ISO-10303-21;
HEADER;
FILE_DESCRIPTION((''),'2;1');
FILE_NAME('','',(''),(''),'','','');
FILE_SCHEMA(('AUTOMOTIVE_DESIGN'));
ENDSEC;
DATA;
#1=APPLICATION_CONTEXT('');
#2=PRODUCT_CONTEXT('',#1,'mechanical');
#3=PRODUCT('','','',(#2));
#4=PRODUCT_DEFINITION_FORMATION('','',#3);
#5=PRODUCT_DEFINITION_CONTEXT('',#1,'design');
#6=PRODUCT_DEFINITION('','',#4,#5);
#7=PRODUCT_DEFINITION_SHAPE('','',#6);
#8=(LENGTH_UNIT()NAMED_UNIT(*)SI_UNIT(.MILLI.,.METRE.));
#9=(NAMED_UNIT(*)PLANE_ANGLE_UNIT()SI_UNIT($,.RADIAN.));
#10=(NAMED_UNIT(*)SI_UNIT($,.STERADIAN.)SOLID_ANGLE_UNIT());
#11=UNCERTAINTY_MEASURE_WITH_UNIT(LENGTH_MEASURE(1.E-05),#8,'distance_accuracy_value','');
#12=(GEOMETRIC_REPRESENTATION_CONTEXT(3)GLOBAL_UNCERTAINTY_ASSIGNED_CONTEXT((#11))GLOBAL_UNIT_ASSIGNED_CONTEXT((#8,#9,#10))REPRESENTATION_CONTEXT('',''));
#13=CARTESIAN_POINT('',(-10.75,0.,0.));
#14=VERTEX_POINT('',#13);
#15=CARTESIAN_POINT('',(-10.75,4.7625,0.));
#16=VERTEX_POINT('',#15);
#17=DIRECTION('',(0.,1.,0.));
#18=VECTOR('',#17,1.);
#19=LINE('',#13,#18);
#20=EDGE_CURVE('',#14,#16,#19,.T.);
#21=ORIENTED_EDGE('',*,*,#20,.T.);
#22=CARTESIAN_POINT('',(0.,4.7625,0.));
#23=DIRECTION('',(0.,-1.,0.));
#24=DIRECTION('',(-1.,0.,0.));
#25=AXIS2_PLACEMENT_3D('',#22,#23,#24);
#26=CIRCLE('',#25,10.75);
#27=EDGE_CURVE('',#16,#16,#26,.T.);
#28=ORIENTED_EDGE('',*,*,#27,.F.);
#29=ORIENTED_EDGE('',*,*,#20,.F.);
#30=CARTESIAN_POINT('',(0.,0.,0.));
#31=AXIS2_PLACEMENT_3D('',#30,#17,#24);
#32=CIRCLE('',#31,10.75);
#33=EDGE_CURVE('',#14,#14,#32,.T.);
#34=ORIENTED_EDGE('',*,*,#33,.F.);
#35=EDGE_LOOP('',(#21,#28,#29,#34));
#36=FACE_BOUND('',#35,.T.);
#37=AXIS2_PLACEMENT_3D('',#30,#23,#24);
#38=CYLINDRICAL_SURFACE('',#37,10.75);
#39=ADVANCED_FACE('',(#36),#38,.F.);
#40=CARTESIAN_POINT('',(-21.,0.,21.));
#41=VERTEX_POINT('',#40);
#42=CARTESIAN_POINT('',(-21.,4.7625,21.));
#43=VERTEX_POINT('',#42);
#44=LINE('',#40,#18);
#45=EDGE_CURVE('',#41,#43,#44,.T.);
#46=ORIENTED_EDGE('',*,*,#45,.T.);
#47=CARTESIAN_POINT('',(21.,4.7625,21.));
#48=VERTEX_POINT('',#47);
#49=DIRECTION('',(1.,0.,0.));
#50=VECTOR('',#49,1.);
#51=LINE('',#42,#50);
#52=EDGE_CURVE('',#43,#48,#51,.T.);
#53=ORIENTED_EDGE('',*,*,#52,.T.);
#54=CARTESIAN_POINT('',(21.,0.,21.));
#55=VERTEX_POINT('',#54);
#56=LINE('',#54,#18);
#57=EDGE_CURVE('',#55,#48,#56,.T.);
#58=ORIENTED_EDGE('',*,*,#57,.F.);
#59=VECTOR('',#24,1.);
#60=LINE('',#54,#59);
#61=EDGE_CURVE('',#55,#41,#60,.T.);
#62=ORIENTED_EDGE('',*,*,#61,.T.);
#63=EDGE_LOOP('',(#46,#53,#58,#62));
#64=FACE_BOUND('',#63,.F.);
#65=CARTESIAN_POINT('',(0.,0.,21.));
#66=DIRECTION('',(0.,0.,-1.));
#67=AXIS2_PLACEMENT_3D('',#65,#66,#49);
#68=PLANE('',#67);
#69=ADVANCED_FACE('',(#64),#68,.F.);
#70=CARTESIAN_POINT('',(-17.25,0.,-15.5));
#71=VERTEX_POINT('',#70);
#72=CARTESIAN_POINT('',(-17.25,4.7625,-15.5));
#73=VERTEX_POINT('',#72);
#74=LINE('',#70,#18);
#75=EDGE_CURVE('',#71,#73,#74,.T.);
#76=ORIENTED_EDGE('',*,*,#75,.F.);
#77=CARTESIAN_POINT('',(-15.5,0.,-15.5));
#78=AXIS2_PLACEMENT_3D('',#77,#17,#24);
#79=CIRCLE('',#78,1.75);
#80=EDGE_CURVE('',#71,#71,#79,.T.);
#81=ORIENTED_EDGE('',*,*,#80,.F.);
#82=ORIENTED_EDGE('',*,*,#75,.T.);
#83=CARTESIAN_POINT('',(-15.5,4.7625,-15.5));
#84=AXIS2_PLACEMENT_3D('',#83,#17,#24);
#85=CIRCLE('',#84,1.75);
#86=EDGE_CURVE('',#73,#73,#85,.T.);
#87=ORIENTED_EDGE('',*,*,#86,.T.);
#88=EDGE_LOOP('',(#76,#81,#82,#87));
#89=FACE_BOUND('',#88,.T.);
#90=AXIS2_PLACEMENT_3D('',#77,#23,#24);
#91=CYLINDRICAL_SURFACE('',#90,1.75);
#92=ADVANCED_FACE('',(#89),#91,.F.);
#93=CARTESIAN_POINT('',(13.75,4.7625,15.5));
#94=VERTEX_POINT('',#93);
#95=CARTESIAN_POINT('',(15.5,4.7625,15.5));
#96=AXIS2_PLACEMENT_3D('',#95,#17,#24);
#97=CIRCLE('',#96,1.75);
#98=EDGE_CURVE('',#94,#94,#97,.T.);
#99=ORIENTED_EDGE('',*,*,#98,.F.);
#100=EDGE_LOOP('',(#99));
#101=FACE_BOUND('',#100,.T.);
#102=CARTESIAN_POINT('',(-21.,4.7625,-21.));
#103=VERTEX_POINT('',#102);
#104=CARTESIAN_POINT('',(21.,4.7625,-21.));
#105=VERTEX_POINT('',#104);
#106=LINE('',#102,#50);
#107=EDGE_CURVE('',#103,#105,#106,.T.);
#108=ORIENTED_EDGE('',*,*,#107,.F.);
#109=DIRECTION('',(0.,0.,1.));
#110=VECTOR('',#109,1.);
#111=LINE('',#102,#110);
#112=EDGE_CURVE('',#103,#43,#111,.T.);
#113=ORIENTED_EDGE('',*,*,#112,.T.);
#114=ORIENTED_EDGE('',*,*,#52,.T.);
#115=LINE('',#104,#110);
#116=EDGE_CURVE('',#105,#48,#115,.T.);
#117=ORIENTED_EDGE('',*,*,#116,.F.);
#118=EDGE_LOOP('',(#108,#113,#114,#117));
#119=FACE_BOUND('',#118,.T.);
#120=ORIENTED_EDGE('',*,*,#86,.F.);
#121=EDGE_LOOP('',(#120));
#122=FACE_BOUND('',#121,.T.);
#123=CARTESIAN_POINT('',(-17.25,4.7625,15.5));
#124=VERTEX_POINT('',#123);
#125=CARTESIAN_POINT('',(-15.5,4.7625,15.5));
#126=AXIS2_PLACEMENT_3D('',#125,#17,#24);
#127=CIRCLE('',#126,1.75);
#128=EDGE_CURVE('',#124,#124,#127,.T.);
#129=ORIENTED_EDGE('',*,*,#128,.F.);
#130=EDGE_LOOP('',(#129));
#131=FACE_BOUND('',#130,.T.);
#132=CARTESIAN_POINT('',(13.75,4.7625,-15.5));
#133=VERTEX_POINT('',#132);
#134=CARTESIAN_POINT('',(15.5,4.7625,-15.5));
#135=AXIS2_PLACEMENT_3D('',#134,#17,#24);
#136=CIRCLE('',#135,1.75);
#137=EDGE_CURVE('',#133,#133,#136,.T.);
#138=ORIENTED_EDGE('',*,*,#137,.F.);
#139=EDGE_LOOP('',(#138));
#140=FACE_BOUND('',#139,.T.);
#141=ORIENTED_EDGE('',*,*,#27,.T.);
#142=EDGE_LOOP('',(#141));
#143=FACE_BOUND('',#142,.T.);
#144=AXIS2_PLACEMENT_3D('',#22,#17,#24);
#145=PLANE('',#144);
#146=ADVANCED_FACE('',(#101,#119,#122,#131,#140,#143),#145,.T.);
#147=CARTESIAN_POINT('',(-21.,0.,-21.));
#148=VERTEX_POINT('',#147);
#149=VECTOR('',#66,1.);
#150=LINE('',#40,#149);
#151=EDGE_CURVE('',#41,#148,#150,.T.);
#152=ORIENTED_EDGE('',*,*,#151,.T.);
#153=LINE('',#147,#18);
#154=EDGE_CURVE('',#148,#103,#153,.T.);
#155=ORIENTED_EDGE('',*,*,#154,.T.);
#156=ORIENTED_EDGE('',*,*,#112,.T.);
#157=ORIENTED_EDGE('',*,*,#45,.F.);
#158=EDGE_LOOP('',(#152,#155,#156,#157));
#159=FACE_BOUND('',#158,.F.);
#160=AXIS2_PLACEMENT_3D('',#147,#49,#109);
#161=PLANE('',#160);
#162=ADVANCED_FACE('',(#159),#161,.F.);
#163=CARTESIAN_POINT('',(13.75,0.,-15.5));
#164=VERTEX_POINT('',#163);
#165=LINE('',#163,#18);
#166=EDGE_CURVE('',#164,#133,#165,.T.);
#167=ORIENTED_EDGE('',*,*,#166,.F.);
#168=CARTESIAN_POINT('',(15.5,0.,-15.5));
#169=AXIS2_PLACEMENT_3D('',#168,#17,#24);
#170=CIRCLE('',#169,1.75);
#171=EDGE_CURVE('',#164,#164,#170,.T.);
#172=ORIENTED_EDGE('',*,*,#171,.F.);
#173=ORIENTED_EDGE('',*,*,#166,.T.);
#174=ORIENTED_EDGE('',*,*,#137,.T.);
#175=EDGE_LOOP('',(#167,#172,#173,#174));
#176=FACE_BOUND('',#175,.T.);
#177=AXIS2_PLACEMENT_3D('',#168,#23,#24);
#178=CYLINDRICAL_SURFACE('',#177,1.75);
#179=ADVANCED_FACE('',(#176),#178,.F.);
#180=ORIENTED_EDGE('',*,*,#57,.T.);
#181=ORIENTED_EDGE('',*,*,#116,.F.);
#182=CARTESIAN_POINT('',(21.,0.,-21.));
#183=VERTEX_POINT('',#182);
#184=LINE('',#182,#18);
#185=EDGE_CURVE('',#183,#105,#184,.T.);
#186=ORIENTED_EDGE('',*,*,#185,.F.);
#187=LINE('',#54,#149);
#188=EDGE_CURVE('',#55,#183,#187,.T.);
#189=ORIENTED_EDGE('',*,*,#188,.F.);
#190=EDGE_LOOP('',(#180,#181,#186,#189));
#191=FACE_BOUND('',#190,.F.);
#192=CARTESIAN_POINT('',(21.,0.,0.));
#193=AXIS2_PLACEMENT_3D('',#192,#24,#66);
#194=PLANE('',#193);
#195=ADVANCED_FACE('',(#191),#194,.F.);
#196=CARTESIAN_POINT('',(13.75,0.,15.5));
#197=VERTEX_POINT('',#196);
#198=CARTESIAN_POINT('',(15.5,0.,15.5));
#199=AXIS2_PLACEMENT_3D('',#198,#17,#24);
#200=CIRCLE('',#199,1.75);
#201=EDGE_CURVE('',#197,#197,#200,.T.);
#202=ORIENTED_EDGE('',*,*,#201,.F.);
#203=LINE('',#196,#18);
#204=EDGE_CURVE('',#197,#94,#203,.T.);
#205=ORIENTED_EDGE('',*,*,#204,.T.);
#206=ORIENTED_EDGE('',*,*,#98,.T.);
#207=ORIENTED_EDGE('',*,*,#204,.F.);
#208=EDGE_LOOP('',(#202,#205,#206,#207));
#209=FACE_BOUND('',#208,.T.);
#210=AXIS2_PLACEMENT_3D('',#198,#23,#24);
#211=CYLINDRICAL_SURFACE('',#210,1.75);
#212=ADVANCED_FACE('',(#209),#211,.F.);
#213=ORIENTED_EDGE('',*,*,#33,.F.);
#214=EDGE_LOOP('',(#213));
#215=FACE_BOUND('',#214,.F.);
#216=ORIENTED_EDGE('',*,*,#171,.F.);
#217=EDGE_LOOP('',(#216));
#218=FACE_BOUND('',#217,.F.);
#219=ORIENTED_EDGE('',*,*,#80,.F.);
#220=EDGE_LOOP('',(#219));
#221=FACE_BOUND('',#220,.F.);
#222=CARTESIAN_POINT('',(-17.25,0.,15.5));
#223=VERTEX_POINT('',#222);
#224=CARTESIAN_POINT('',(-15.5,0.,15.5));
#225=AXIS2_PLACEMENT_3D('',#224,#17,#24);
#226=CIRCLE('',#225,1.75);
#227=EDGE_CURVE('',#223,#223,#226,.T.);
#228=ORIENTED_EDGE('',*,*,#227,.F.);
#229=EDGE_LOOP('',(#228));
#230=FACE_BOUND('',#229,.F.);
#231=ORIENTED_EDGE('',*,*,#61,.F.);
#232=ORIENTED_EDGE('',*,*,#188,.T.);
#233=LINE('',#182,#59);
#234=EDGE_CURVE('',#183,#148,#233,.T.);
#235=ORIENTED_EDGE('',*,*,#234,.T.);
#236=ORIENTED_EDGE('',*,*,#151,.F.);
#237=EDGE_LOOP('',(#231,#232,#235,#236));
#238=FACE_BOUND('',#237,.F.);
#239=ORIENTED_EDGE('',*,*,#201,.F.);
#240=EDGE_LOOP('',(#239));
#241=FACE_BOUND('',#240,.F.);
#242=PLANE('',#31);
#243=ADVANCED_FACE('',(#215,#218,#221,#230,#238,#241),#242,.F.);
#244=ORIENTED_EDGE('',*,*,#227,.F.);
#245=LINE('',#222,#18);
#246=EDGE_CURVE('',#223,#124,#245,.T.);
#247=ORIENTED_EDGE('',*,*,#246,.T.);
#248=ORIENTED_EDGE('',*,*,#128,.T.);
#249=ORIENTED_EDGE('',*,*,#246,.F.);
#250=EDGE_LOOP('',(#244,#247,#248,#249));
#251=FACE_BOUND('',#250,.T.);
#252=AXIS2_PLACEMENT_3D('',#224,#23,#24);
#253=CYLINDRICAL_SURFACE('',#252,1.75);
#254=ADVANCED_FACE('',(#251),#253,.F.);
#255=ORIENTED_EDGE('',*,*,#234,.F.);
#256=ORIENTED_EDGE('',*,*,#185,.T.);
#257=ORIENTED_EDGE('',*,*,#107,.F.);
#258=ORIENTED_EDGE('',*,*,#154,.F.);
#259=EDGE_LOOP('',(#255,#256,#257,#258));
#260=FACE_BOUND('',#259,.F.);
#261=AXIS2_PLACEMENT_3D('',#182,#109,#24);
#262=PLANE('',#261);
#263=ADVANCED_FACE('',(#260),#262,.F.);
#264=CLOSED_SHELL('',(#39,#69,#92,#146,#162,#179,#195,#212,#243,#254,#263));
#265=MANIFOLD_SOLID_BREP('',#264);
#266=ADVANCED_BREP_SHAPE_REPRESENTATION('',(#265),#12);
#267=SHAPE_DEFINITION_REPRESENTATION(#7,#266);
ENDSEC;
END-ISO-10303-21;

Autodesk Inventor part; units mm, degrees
ref_plane "YZ Plane" through (0, 0, 0) normal (1, 0, 0) x (0, 1, 0)
ref_plane "XZ Plane" through (0, 0, 0) normal (0, 1, 0) x (-1, 0, 0)
ref_plane "XY Plane" through (0, 0, 0) normal (0, 0, 1) x (1, 0, 0)
sketch "Sketch1" plane through (0, 0, 0) normal (0, 1, 0) x (-1, 0, 0)
  line L0 (-21, -21) -> (21, -21)
  line L1 (21, -21) -> (21, 21)
  line L2 (21, 21) -> (-21, 21)
  line L3 (-21, 21) -> (-21, -21)
  line L4 (-21, -21) -> (21, 21) construction
  line L5 (21, -21) -> (-21, 21) construction
  circle A0 centre (15.5, 15.5) radius 1.75
  circle A1 centre (0, 0) radius 10.75
  line L6 (34.796, 0) -> (-29.6686, 0)
  line L7 (0, -38.1967) -> (0, 38.2612)
  circle A2 centre (15.5, -15.5) radius 1.75
  circle A3 centre (-15.5, 15.5) radius 1.75
  circle A4 centre (-15.5, -15.5) radius 1.75
  dimension "d0" = 42
  dimension "d1" = 42
  dimension "d4" = 3.5
  dimension "d8" = 21.5
  dimension "d13" = 31
extrude "Extrusion4" add sketch "Sketch1" along normal blind 4.7625 contours L3 L6 A1 L7 L0 | L7 A1 L6 L1 L0 | L3 L2 L7 A1 L6 | L6 A1 L7 L2 L1
equation "\"d0\" = d1"
properties part number "Vertical_Lead_Screw_Shaft_Mount_Plate_End"
